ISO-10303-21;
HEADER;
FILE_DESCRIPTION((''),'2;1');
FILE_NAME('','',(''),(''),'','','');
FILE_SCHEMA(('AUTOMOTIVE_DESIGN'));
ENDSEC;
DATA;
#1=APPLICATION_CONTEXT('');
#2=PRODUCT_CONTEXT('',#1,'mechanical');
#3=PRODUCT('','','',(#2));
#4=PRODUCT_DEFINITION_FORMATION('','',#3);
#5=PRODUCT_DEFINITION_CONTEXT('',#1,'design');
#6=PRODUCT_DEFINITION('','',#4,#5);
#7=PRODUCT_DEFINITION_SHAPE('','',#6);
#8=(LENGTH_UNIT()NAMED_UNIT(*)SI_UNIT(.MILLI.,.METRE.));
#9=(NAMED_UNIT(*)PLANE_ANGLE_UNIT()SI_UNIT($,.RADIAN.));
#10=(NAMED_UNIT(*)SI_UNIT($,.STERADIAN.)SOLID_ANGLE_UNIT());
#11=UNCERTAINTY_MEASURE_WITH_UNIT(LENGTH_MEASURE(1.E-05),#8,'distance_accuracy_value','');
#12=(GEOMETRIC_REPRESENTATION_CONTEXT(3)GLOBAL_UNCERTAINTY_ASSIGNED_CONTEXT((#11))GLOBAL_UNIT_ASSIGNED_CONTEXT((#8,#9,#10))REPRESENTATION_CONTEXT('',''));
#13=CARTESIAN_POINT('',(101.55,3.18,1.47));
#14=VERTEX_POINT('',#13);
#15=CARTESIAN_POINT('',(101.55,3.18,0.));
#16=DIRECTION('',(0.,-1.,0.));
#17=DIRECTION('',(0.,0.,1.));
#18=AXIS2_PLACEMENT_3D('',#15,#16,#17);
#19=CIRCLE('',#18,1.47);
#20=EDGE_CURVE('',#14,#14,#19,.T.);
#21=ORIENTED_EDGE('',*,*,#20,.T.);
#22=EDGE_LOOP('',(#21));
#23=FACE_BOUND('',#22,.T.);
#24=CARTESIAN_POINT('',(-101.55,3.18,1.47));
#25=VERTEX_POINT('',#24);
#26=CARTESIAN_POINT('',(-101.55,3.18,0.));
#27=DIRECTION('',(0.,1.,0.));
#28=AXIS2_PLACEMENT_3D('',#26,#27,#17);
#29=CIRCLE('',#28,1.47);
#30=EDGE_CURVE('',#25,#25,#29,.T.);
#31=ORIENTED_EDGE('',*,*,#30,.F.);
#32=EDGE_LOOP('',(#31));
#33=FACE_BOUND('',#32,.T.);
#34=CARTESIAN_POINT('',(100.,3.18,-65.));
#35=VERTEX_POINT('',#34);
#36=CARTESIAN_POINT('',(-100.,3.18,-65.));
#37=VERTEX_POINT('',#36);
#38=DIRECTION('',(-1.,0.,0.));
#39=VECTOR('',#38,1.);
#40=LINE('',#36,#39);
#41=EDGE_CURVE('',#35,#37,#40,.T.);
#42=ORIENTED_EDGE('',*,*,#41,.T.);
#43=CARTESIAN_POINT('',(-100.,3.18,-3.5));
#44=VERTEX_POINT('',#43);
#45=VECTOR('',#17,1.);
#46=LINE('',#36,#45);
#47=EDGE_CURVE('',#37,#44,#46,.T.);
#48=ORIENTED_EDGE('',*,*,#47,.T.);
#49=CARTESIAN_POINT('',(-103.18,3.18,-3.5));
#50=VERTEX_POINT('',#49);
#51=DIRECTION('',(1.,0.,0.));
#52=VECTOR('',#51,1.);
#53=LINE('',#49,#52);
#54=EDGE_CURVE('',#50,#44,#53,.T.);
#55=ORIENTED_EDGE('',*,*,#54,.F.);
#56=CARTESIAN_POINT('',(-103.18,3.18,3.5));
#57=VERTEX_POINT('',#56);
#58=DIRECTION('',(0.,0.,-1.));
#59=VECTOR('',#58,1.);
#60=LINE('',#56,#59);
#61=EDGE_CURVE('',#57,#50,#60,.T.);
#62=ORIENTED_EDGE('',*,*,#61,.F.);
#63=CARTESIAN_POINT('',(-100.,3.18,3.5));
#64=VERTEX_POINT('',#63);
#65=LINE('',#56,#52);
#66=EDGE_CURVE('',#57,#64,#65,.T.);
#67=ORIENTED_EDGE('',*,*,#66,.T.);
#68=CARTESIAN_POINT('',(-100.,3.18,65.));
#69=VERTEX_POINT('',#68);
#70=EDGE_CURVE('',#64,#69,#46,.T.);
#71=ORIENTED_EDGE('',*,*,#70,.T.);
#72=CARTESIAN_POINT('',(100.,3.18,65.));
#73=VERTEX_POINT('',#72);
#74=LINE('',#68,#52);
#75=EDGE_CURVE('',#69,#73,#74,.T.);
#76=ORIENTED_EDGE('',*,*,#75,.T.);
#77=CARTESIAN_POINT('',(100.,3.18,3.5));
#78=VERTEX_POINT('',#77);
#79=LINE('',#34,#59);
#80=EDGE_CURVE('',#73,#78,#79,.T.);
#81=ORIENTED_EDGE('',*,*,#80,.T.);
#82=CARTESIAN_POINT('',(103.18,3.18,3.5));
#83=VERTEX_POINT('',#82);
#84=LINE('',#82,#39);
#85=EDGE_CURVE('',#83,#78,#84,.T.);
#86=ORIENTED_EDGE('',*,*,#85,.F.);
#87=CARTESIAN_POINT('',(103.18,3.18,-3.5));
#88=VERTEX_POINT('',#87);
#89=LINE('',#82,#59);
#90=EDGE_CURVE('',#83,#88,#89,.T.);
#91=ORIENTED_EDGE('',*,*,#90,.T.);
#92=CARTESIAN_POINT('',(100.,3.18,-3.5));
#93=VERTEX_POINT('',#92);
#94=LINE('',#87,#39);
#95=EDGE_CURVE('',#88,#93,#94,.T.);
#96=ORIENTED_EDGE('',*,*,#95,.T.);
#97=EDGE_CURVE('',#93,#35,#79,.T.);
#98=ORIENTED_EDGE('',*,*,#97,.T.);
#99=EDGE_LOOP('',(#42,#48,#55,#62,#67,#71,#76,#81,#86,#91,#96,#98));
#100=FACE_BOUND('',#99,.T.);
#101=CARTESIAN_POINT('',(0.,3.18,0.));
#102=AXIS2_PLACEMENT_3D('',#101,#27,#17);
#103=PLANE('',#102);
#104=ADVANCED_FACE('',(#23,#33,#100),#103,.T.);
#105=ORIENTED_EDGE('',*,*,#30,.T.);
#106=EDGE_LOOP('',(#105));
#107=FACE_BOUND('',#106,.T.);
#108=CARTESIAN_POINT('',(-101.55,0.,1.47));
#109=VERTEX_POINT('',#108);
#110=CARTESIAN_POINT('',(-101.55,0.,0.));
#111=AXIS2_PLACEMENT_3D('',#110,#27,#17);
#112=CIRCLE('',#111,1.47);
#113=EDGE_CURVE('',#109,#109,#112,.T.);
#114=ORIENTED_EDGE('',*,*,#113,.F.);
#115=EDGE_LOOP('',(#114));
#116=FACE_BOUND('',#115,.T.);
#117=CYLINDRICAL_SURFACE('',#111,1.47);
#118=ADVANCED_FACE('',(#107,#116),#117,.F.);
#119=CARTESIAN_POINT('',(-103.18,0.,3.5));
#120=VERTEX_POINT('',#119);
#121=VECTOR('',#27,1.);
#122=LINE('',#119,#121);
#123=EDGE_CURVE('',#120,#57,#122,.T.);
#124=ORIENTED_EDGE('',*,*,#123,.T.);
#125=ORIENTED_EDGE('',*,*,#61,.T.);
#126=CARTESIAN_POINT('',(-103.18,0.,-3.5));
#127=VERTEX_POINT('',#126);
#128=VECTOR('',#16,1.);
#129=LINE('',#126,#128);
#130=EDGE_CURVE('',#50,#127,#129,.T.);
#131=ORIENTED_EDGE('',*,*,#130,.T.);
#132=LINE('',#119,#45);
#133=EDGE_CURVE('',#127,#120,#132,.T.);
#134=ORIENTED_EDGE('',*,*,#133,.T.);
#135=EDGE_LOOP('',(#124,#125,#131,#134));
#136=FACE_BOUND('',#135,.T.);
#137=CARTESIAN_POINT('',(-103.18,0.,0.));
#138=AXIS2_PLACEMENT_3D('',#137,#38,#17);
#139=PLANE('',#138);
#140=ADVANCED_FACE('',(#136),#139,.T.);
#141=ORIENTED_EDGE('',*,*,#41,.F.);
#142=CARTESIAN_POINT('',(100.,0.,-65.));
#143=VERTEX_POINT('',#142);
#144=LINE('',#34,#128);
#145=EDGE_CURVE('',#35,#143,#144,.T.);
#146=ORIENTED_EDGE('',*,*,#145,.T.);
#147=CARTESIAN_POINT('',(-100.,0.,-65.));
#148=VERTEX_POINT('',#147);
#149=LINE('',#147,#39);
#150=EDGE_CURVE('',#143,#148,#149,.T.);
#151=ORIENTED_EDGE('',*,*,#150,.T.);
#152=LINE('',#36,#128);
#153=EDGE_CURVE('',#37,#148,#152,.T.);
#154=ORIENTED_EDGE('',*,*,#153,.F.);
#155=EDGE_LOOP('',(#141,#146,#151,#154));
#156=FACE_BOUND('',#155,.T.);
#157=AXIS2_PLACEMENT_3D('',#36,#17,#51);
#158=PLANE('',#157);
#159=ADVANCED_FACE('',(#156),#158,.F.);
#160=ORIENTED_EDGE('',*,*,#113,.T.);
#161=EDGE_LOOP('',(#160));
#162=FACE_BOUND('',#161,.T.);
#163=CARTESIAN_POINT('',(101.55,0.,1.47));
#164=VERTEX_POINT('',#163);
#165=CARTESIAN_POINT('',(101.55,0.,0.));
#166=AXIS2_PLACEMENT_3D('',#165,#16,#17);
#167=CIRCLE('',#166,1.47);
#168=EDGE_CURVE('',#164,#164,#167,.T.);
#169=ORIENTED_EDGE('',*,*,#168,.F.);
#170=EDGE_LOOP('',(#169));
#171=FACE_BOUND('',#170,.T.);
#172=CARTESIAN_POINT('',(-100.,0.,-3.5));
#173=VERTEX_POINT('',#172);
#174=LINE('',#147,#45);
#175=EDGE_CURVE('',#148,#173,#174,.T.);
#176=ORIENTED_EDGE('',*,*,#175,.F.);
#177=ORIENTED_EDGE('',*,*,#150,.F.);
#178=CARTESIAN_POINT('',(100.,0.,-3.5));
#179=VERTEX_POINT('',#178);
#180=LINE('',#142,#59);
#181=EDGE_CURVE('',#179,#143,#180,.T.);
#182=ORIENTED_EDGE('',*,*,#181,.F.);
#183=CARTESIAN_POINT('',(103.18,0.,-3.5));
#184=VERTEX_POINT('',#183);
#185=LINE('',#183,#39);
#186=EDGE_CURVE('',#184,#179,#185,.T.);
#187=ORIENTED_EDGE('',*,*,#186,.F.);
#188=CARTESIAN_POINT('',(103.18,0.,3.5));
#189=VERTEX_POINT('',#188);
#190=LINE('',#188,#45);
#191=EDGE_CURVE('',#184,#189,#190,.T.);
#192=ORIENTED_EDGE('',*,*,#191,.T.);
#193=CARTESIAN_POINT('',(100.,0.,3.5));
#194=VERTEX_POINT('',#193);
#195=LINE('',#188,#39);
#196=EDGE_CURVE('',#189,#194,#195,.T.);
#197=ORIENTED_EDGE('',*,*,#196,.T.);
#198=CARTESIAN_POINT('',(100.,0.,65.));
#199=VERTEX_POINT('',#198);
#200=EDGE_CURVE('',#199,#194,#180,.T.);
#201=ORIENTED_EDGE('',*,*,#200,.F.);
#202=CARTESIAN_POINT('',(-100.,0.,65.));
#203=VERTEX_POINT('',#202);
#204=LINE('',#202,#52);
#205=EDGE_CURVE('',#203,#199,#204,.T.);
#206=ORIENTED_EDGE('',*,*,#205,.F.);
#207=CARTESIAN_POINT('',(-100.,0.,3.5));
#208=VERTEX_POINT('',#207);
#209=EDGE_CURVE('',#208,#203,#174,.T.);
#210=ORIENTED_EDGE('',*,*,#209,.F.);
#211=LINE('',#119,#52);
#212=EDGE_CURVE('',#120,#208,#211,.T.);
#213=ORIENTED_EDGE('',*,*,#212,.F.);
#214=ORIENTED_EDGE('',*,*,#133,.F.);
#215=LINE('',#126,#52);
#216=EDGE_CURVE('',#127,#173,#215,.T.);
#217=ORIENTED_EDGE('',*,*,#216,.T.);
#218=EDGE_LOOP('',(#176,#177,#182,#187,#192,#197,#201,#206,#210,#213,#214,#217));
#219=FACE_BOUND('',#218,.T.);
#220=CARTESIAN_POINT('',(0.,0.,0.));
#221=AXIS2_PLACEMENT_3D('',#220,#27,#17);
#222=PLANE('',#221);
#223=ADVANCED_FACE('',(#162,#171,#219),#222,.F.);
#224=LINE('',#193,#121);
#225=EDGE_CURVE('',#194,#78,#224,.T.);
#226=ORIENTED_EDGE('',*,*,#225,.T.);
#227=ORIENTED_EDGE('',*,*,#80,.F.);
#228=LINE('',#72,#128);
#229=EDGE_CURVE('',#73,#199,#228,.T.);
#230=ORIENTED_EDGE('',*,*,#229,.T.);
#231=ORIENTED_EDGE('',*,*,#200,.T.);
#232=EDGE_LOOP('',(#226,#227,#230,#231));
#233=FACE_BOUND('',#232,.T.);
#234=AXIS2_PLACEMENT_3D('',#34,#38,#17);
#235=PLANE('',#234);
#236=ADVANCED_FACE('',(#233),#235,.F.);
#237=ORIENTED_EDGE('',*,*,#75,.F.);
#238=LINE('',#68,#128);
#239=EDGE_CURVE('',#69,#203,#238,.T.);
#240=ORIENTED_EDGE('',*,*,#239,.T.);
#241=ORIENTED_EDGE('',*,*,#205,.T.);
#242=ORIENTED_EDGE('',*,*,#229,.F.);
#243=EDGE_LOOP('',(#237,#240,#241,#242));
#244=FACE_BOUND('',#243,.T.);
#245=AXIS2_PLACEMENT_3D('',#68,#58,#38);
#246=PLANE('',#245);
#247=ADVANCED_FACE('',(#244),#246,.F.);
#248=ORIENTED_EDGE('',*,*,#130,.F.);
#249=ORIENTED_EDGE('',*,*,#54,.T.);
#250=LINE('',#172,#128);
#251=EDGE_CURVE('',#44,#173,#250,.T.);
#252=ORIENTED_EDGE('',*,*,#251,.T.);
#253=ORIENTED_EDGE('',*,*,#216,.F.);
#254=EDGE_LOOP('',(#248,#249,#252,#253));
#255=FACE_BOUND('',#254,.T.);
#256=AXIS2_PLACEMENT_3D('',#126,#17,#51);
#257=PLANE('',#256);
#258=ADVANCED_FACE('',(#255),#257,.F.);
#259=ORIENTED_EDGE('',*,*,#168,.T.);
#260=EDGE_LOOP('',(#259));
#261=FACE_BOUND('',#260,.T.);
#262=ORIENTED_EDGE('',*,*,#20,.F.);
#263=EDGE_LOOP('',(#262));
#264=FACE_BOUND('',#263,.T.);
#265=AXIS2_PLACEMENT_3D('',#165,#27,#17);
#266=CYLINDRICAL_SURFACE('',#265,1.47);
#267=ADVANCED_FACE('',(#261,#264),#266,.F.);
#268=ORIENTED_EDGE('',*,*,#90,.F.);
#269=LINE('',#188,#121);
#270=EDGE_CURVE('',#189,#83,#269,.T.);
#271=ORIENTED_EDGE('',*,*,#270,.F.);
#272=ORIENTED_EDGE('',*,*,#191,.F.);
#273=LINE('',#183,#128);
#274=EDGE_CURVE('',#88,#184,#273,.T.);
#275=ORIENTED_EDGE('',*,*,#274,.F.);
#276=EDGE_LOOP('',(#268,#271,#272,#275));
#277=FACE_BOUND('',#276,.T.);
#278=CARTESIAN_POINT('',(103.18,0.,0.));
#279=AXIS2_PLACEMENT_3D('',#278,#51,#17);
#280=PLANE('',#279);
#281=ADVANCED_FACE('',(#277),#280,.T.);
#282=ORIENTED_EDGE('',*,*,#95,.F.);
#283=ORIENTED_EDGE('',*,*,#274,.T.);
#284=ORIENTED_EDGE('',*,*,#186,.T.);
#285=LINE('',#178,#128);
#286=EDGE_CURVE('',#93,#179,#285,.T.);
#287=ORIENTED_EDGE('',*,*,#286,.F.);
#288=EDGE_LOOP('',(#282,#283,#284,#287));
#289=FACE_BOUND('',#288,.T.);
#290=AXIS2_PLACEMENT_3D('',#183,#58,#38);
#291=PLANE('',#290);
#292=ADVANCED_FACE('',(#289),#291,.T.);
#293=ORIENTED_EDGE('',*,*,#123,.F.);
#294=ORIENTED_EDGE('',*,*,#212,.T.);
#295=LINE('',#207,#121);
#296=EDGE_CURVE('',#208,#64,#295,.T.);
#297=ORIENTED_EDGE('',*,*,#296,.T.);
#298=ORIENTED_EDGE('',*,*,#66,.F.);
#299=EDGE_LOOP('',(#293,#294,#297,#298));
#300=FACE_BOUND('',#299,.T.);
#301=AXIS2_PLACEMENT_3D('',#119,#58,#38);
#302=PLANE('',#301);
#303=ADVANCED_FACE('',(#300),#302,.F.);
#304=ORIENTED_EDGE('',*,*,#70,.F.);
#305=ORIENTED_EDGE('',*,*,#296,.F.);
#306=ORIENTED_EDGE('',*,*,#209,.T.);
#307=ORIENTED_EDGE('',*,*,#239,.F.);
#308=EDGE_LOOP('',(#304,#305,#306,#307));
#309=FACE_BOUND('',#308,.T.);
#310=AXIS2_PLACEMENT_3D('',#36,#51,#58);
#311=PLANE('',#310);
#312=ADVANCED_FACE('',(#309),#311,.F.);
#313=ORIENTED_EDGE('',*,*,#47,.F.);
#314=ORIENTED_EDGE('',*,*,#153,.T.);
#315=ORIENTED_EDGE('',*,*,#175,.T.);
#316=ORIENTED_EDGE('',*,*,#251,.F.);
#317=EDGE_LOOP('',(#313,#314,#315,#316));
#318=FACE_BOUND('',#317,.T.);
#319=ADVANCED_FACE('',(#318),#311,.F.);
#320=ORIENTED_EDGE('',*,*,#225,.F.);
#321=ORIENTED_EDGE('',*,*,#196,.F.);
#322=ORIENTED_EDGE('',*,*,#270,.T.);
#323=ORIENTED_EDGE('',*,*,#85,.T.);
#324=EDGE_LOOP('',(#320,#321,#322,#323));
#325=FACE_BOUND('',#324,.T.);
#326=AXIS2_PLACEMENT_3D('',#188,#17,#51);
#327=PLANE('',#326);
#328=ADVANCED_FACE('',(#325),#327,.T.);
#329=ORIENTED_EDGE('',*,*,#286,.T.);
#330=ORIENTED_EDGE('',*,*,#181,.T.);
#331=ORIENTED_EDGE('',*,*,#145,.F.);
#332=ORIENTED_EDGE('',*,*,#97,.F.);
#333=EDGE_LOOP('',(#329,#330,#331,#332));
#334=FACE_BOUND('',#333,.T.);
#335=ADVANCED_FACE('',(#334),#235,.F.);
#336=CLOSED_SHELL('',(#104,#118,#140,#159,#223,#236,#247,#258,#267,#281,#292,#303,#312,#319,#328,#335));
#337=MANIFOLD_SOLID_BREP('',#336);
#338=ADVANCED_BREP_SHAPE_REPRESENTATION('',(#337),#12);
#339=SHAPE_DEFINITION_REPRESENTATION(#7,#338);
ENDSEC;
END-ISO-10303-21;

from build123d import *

# Parameters (mm, degrees)
SKETCH2_W           = 200
SKETCH2_H           = 130
BOSS_EXTRUDE1_DEPTH = 3.18
SKETCH5_W           = 7
SKETCH5_H           = 3.18
BOSS_EXTRUDE2_DEPTH = 3.18
SKETCH11_R          = 1.47
CUT_EXTRUDE5_DEPTH  = 3.18


with BuildPart() as part:
    # Sketch2 → Boss-Extrude1 (new body)
    with BuildSketch(Plane(origin=(0, 0, 0), x_dir=(1, 0, 0), z_dir=(0, 1, 0))):
        Rectangle(SKETCH2_W, SKETCH2_H)
    extrude(amount=BOSS_EXTRUDE1_DEPTH)

    # Sketch5 → Boss-Extrude2 (add)
    with BuildSketch(Plane.ZY.offset(100)):
        with Locations((0, 1.59)):
            Rectangle(SKETCH5_W, SKETCH5_H)
    boss_extrude2 = extrude(amount=BOSS_EXTRUDE2_DEPTH)

    # Sketch11 → Cut-Extrude5 (cut)
    with BuildSketch(Plane(origin=(0, 3.18, 0), x_dir=(1, 0, 0), z_dir=(0, 1, 0))):
        with Locations((-101.55, 0)):
            Circle(SKETCH11_R)
    cut_extrude5 = extrude(amount=-CUT_EXTRUDE5_DEPTH, mode=Mode.SUBTRACT)

    # Mirror1: Boss-Extrude2, Cut-Extrude5 across plane
    add(boss_extrude2.mirror(Plane(origin=(0, 0, 0), x_dir=(0, 0, 1), z_dir=(1, 0, 0))))
    add(cut_extrude5.mirror(Plane(origin=(0, 0, 0), x_dir=(0, 0, 1), z_dir=(1, 0, 0))), mode=Mode.SUBTRACT)


solid = part.part
